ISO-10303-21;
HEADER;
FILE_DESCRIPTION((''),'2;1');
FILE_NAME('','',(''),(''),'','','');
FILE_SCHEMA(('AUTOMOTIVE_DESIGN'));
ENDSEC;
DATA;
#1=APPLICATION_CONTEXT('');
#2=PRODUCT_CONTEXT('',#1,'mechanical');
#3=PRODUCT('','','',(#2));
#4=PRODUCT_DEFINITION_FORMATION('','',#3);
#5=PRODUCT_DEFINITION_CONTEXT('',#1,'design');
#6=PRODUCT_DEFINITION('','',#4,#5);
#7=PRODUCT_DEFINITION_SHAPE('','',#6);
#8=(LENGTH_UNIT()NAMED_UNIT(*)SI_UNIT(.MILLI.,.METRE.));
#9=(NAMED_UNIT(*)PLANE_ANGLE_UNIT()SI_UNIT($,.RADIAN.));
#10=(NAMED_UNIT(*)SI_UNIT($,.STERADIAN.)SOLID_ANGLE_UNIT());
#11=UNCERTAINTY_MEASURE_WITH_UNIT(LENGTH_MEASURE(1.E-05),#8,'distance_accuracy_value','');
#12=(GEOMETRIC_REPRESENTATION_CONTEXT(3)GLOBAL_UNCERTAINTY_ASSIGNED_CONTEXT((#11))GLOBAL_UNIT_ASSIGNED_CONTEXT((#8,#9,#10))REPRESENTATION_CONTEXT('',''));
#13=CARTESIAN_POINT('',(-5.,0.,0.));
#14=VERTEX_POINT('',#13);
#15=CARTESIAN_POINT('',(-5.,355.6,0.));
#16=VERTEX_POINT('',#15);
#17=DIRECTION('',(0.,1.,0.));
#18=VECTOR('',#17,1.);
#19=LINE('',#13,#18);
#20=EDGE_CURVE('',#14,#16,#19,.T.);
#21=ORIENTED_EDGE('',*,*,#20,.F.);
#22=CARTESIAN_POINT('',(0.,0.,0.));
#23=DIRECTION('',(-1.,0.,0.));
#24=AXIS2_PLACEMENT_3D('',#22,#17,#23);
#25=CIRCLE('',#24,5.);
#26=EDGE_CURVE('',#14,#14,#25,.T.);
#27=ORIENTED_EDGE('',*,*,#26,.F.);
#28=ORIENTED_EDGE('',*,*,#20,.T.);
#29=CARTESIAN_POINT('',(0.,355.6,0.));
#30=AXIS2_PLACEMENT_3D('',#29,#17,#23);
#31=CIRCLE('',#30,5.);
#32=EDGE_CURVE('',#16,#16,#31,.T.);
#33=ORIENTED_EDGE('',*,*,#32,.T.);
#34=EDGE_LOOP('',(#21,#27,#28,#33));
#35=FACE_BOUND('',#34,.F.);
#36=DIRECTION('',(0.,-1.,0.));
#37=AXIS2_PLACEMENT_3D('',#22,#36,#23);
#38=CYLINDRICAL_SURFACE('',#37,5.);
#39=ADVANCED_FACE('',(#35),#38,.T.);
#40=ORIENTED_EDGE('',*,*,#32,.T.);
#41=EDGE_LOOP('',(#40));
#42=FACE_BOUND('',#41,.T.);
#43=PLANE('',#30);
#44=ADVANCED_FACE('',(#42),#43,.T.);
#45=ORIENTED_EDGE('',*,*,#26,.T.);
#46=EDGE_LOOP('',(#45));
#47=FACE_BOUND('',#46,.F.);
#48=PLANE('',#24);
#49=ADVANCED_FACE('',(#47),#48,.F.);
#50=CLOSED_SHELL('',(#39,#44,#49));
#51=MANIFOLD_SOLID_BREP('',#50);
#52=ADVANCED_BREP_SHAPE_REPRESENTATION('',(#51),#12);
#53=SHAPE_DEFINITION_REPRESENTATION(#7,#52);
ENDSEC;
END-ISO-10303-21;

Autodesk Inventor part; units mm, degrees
ref_plane "YZ Plane" through (0, 0, 0) normal (1, 0, 0) x (0, 1, 0)
ref_plane "XZ Plane" through (0, 0, 0) normal (0, 1, 0) x (-1, 0, 0)
ref_plane "XY Plane" through (0, 0, 0) normal (0, 0, 1) x (1, 0, 0)
sketch "Sketch1" plane through (0, 0, 0) normal (0, 1, 0) x (-1, 0, 0)
  circle A0 centre (0, 0) radius 5
  dimension "d0" = 10
extrude "Extrusion1" add sketch "Sketch1" along normal blind 355.6
properties part number "SpiralRod"
